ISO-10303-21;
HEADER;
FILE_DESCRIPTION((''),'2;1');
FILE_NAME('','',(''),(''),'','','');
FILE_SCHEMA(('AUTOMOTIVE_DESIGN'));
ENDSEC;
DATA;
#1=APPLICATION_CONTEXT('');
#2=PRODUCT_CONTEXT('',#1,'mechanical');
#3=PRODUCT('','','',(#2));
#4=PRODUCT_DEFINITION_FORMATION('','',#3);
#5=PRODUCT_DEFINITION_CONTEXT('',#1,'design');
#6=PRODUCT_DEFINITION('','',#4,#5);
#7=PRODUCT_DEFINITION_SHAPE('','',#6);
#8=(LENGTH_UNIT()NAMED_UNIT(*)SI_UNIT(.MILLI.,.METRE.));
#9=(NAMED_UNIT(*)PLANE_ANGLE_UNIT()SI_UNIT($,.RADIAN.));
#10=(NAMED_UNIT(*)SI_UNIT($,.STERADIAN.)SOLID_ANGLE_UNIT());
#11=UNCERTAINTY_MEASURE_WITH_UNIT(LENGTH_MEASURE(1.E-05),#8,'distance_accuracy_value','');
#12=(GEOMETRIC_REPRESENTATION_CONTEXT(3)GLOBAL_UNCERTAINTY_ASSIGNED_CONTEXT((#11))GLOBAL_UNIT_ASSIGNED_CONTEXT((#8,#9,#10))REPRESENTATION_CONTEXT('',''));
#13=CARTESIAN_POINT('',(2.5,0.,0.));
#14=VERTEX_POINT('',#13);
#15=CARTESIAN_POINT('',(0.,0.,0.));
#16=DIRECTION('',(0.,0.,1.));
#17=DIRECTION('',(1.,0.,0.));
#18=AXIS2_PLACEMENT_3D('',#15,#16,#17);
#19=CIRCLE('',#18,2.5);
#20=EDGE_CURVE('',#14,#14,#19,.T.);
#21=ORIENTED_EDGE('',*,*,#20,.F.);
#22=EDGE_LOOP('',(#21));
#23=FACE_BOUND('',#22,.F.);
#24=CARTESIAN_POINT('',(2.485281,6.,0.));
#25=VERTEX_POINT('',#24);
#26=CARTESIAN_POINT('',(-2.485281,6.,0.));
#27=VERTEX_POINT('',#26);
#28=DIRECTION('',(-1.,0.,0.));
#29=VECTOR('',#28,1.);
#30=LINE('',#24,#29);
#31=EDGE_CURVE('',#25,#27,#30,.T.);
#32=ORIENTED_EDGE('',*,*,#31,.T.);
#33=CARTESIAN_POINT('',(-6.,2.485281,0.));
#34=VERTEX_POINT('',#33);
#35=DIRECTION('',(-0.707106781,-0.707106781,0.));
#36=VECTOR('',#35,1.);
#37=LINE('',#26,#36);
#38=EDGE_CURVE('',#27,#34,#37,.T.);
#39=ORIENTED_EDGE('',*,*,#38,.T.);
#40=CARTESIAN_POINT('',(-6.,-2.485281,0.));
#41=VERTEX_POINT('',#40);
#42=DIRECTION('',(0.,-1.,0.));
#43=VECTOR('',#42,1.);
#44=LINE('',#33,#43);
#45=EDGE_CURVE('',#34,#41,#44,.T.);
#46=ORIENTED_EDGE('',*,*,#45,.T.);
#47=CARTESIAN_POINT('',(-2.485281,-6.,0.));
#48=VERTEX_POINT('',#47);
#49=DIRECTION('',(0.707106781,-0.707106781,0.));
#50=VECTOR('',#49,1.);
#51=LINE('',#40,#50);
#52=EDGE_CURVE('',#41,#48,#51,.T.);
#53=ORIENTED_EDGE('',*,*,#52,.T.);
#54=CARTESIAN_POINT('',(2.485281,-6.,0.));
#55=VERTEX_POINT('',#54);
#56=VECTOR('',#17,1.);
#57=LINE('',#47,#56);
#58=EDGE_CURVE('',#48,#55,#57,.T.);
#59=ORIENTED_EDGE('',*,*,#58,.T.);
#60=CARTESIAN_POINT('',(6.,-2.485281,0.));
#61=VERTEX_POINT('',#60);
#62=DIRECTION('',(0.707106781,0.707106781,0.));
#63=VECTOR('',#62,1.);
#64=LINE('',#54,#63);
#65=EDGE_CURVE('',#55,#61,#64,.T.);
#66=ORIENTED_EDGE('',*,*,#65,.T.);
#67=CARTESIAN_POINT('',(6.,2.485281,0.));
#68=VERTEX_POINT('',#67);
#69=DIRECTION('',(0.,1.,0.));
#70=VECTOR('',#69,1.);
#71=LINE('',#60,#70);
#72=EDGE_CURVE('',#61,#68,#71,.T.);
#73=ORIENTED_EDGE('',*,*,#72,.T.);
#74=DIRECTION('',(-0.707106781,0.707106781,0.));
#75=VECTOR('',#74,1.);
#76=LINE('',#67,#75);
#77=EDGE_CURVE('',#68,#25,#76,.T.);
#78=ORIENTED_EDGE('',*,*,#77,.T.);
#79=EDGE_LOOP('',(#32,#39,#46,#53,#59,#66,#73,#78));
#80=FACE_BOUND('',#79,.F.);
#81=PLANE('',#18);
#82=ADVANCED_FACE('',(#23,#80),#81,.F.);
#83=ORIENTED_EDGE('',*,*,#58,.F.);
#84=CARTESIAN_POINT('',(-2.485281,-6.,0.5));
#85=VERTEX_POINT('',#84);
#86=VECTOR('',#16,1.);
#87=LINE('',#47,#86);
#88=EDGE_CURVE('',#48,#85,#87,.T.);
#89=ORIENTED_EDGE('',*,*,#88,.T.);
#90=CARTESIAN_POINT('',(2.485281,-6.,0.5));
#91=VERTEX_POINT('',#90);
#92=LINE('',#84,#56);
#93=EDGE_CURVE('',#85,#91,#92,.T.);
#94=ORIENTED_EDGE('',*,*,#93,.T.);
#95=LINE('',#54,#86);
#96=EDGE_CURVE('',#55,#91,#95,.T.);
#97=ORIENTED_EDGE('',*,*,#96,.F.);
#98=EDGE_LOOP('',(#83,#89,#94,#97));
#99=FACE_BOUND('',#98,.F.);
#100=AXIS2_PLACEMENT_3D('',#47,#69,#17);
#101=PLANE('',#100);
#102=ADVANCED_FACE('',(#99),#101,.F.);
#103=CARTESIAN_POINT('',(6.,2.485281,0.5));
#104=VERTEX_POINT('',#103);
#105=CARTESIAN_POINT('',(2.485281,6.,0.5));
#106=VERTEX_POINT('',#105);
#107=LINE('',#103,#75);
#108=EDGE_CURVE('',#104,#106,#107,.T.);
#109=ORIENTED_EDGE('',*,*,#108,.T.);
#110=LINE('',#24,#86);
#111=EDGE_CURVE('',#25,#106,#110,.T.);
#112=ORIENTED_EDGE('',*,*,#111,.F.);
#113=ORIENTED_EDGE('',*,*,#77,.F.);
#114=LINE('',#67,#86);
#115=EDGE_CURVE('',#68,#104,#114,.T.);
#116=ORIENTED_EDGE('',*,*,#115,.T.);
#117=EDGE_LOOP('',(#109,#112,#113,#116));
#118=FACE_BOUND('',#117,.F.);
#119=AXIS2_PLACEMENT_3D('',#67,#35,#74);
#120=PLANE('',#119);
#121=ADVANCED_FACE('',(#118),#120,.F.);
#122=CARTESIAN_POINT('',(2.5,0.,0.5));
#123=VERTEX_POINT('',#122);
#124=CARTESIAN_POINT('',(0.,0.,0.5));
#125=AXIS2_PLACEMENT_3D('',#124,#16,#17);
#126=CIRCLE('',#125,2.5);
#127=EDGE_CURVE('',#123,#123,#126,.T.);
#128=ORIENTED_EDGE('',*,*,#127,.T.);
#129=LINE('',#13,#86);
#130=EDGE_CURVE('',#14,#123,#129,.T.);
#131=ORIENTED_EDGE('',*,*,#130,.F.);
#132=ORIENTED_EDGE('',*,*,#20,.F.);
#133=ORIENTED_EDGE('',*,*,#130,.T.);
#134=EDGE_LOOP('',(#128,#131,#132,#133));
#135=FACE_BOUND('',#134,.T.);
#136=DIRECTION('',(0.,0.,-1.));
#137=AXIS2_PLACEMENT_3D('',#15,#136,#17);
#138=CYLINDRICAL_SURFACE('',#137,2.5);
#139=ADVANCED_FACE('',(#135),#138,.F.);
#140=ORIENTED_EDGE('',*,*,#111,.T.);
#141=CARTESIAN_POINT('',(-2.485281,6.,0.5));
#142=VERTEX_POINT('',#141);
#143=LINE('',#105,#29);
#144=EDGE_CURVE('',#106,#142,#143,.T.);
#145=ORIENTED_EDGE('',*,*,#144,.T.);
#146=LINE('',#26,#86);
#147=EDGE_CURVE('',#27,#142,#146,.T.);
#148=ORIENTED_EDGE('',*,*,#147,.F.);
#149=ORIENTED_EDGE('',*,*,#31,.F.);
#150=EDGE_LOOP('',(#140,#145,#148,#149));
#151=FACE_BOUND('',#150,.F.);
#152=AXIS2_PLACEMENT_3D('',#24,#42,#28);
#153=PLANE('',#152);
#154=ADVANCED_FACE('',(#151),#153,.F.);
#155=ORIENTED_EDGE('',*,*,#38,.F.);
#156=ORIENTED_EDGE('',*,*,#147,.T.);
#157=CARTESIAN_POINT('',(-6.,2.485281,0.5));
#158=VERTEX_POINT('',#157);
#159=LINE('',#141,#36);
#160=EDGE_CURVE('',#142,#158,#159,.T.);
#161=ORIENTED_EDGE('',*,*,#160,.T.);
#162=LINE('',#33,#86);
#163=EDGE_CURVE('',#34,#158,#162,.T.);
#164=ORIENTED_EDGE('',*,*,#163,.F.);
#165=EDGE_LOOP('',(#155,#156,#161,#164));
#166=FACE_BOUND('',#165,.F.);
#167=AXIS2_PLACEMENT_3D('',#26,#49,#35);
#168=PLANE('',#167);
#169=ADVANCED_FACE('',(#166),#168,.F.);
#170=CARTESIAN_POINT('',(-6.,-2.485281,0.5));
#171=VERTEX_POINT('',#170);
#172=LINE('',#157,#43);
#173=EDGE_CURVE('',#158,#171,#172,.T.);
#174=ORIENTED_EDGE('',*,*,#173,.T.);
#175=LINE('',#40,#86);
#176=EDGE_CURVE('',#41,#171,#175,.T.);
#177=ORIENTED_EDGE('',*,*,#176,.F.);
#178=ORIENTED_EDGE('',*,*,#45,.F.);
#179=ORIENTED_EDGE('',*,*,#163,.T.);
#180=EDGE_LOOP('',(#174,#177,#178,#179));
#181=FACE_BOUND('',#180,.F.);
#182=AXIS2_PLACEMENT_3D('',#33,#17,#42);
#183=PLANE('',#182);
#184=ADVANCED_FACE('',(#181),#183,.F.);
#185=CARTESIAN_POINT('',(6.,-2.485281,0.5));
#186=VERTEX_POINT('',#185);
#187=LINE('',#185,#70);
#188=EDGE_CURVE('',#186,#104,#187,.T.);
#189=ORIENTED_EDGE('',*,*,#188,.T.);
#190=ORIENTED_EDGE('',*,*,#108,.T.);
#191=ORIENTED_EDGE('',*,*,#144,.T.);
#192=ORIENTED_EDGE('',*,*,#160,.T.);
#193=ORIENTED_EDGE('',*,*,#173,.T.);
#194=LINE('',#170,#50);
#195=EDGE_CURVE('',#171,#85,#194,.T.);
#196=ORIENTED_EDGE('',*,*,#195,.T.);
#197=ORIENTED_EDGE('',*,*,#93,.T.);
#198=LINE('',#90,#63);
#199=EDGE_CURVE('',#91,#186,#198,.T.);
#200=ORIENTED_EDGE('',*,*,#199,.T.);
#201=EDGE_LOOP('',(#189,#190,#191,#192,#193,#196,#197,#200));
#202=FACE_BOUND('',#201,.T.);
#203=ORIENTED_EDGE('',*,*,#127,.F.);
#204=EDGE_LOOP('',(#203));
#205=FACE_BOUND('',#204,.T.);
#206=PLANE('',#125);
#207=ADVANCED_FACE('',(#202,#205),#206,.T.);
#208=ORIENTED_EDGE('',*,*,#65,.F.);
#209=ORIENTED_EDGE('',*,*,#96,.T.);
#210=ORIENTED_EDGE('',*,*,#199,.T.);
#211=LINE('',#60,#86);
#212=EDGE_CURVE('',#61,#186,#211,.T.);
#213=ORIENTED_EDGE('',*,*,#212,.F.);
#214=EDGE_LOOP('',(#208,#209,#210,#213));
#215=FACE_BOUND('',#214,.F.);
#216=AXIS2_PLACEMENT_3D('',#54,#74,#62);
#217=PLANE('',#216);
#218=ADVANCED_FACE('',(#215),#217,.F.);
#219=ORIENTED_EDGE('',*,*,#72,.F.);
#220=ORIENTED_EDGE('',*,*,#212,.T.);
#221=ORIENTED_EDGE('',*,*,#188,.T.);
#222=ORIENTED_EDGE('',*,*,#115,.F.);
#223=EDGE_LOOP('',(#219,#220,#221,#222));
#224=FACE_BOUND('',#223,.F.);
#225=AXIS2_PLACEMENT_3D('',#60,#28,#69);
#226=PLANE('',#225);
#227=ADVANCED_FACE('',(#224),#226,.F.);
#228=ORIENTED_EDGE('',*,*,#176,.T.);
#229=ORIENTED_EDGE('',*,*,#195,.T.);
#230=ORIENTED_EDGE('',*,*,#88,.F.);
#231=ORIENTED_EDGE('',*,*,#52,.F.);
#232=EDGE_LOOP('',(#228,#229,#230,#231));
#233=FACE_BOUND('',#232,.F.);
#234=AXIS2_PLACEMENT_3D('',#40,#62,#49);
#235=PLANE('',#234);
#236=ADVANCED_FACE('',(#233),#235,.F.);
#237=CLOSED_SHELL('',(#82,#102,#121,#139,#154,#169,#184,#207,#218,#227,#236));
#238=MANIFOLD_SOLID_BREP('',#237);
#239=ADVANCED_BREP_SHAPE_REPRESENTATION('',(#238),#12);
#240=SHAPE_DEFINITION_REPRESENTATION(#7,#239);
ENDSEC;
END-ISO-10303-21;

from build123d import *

# Parameters (mm, degrees)
F0_R     = 2.5
F1_DEPTH = 0.5


with BuildPart() as f1:
    # F0 (on Top) → F1 (new body)
    with BuildSketch(Plane.XY):
        Polygon((2.485281, 6), (-2.485281, 6), (-6, 2.485281), (-6, -2.485281), (-2.485281, -6), (2.485281, -6), (6, -2.485281), (6, 2.485281), align=None)
        Circle(F0_R, mode=Mode.SUBTRACT)
    extrude(amount=F1_DEPTH)


solid = f1.part
